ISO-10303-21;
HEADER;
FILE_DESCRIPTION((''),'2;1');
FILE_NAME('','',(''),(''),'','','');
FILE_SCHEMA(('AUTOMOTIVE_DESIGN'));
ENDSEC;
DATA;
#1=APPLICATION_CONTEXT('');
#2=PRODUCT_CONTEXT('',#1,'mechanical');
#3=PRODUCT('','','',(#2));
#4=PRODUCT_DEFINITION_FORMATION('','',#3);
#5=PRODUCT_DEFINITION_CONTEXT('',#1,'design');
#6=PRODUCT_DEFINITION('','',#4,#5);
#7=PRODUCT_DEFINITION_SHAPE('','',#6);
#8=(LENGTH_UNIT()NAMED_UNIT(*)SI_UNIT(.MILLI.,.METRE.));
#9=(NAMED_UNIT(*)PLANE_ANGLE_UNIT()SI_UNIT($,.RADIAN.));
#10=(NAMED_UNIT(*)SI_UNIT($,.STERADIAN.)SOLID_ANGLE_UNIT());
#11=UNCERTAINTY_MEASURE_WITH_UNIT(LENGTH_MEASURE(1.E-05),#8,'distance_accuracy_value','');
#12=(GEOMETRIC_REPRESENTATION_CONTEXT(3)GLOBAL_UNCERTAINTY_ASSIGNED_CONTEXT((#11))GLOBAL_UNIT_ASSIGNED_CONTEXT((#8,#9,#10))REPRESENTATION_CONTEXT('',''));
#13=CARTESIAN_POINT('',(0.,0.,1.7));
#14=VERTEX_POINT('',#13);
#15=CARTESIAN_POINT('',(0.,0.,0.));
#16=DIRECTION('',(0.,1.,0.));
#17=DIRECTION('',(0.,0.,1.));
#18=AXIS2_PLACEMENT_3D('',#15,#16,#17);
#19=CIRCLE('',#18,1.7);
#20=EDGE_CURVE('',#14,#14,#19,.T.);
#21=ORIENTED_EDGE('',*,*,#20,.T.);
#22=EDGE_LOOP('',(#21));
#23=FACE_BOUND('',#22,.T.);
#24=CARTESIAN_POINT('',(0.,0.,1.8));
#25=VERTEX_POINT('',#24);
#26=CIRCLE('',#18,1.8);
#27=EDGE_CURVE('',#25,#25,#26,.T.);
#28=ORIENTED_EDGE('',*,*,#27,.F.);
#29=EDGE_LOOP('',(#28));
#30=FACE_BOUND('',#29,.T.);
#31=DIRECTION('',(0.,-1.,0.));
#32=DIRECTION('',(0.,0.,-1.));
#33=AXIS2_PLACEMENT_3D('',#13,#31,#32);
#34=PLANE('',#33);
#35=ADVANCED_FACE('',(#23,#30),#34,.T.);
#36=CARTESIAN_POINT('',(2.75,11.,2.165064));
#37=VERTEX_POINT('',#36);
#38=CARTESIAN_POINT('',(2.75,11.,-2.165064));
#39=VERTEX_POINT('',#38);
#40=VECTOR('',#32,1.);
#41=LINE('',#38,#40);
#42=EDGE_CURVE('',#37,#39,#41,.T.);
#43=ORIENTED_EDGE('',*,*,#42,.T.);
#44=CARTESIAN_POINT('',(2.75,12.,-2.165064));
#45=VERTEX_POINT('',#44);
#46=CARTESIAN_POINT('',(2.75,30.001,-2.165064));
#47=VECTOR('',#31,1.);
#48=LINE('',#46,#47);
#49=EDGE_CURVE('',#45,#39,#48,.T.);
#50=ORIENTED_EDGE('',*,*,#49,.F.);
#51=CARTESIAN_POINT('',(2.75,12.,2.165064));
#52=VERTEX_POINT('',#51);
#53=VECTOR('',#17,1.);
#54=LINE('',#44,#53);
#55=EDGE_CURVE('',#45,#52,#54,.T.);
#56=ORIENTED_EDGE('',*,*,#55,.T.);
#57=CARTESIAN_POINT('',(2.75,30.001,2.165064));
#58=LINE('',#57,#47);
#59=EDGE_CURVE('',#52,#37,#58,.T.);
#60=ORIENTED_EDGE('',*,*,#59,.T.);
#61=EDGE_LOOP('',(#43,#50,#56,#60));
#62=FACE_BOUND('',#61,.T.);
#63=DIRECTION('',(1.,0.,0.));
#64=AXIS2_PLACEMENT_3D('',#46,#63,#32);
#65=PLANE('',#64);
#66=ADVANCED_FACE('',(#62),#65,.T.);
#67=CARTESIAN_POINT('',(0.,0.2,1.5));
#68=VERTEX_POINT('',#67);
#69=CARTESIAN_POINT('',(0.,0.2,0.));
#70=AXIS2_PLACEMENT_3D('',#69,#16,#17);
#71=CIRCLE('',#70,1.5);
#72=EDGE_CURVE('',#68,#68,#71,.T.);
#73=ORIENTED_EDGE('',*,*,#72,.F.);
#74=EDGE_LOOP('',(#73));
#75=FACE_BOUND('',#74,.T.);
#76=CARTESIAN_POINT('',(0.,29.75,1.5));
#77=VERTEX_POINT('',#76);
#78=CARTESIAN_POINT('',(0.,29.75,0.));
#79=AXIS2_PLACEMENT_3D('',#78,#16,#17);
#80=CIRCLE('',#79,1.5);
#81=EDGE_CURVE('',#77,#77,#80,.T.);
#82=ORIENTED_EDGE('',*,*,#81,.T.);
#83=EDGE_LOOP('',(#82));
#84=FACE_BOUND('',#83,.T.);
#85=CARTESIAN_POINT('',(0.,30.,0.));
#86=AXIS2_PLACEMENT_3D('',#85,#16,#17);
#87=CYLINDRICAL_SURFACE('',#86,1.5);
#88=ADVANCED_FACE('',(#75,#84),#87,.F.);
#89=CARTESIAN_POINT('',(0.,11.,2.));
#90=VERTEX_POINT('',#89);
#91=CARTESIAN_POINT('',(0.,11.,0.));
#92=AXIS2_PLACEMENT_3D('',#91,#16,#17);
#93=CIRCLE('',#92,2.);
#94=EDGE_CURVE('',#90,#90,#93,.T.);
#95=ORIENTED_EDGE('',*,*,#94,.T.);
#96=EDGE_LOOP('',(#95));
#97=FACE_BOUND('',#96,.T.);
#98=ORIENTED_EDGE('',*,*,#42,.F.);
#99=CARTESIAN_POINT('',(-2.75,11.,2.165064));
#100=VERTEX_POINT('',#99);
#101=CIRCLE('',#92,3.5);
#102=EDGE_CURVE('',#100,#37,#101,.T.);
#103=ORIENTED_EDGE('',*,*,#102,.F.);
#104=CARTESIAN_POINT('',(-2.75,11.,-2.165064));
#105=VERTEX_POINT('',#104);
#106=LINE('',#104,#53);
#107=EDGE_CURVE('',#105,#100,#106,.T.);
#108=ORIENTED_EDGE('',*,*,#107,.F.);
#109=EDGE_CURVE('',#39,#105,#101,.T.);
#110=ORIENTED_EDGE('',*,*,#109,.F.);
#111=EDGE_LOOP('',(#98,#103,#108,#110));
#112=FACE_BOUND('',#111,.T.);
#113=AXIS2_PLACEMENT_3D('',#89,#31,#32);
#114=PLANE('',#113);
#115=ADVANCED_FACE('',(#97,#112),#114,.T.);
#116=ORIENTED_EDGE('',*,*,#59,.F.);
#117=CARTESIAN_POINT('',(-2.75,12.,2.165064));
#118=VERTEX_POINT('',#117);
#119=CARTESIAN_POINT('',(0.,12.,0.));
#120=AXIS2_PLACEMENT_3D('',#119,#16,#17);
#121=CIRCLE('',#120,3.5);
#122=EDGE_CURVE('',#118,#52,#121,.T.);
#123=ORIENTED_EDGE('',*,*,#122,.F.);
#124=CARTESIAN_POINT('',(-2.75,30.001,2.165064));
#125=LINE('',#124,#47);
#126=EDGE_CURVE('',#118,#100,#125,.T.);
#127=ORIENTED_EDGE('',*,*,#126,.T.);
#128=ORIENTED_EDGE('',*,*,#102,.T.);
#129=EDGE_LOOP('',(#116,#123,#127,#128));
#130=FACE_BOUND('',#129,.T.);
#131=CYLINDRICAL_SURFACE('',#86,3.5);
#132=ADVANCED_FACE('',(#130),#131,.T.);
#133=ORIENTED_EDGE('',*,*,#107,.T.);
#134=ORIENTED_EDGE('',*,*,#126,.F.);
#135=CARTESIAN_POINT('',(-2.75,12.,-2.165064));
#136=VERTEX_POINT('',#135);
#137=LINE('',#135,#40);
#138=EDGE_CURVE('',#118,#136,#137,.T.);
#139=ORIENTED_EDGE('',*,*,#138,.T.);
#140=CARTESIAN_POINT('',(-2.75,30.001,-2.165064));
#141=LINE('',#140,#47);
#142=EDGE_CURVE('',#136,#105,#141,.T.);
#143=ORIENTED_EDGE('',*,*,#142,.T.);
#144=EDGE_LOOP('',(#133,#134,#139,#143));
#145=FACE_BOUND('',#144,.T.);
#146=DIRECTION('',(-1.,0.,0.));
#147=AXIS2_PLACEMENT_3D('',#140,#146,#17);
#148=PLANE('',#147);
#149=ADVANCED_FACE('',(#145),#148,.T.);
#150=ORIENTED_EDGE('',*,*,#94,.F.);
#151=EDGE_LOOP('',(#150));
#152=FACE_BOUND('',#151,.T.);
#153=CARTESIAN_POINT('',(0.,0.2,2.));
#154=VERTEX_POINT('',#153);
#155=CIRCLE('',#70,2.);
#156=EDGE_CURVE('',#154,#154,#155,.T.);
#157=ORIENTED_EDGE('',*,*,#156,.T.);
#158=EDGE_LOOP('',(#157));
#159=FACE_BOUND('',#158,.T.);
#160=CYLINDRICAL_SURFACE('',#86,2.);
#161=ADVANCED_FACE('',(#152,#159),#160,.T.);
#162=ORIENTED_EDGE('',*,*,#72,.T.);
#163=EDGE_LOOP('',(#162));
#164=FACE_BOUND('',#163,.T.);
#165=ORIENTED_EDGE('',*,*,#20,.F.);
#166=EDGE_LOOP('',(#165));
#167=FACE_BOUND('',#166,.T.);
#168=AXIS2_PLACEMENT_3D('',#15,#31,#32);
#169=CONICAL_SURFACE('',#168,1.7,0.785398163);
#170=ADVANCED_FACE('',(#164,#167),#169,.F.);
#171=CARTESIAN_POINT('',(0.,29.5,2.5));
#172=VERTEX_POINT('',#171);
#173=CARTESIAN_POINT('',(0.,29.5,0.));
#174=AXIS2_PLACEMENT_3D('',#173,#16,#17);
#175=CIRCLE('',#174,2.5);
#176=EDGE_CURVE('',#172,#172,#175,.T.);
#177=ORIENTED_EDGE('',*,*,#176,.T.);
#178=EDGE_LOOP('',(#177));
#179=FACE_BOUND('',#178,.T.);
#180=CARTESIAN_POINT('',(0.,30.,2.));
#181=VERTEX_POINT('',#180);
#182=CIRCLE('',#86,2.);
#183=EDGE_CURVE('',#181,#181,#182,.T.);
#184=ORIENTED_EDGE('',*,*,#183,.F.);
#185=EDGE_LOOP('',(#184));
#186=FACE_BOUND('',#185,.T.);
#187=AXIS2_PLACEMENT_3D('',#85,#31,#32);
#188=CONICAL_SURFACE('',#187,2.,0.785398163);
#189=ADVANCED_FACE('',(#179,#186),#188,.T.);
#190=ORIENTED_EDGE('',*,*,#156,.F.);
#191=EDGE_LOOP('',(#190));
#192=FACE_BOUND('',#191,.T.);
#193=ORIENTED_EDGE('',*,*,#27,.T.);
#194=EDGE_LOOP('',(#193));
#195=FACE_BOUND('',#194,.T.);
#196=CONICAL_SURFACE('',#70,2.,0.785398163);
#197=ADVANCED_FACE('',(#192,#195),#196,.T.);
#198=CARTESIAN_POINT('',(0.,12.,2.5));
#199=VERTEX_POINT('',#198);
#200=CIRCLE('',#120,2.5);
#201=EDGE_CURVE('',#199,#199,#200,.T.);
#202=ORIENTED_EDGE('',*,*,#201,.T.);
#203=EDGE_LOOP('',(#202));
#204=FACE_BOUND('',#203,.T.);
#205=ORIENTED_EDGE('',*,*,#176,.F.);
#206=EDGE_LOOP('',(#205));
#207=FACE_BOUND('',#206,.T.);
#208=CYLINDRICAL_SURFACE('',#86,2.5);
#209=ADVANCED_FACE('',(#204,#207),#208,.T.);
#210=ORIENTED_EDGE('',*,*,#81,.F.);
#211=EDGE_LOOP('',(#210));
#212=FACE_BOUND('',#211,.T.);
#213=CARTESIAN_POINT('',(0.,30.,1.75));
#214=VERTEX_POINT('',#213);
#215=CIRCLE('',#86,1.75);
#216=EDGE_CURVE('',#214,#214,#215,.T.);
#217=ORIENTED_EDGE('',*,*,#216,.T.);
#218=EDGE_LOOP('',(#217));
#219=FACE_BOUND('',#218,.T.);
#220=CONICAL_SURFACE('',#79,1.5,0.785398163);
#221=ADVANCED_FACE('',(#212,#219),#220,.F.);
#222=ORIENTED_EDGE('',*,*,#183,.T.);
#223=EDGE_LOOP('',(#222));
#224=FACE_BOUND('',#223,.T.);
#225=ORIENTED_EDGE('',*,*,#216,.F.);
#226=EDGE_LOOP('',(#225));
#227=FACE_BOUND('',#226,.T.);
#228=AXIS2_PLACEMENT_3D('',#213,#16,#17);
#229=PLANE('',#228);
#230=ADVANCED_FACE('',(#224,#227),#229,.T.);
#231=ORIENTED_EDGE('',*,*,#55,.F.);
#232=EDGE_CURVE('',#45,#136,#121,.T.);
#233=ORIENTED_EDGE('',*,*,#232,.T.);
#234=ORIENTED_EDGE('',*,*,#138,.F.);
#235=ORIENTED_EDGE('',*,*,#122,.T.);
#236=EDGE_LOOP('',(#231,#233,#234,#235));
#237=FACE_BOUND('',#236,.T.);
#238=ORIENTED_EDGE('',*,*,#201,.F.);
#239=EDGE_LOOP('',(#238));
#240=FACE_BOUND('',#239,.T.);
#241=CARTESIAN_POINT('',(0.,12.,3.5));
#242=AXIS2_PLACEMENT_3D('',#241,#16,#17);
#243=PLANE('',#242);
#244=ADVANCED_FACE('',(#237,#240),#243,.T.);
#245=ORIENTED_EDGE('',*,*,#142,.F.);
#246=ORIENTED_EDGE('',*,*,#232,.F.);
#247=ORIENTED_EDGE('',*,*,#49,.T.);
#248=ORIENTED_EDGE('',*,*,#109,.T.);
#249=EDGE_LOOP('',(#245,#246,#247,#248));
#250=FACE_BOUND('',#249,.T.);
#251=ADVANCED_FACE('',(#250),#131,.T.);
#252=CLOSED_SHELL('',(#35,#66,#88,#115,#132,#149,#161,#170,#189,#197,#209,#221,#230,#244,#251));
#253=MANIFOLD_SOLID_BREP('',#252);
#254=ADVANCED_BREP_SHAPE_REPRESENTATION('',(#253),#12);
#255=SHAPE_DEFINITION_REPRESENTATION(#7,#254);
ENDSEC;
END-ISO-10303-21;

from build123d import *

# Parameters (mm, degrees)
CUT_EXTRUDE1_REACH = 32.406


with BuildPart() as part:
    # Sketch1 → Revolve1 (revolve)
    with BuildSketch(Plane(origin=(0, 0, 0), x_dir=(0, 0, -1), z_dir=(1, 0, 0))):
        Polygon((-1.5, 0.2), (-1.5, 29.75), (-1.75, 30), (-2, 30), (-2.5, 29.5), (-2.5, 12), (-3.5, 12), (-3.5, 11), (-2, 11), (-2, 0.2), (-1.8, 0), (-1.7, 0), align=None)
    revolve(axis=Axis((0, 30, 0), (0, -1, 0)))

    # Sketch2 → Cut-Extrude1 (cut, up to next)
    with BuildSketch(Plane(origin=(0, 0, 0), x_dir=(1, 0, 0), z_dir=(0, 1, 0)), mode=Mode.PRIVATE) as cut_extrude1_sk1:
        with BuildLine():
            Line((-2.75, 2.165063509), (-2.75, -2.165063509))
            ThreePointArc((-2.75, -2.165063509), (-3.5, 0), (-2.75, 2.165063509))
        make_face()
    cut_extrude1_tool1 = extrude(cut_extrude1_sk1.sketch, amount=CUT_EXTRUDE1_REACH, mode=Mode.PRIVATE) & part.part
    # Sketch2 → Cut-Extrude1 (cut, up to next)
    with BuildSketch(Plane(origin=(0, 0, 0), x_dir=(1, 0, 0), z_dir=(0, 1, 0)), mode=Mode.PRIVATE) as cut_extrude1_sk2:
        with BuildLine():
            Line((2.75, 2.165063509), (2.75, -2.165063509))
            ThreePointArc((2.75, -2.165063509), (3.5, 0), (2.75, 2.165063509))
        make_face()
    cut_extrude1_tool2 = extrude(cut_extrude1_sk2.sketch, amount=CUT_EXTRUDE1_REACH, mode=Mode.PRIVATE) & part.part
    add(cut_extrude1_tool1.solids().sort_by_distance((-3.052938, 0, 0))[0], mode=Mode.SUBTRACT)
    add(cut_extrude1_tool2.solids().sort_by_distance((3.052938, 0, 0))[0], mode=Mode.SUBTRACT)


solid = part.part
